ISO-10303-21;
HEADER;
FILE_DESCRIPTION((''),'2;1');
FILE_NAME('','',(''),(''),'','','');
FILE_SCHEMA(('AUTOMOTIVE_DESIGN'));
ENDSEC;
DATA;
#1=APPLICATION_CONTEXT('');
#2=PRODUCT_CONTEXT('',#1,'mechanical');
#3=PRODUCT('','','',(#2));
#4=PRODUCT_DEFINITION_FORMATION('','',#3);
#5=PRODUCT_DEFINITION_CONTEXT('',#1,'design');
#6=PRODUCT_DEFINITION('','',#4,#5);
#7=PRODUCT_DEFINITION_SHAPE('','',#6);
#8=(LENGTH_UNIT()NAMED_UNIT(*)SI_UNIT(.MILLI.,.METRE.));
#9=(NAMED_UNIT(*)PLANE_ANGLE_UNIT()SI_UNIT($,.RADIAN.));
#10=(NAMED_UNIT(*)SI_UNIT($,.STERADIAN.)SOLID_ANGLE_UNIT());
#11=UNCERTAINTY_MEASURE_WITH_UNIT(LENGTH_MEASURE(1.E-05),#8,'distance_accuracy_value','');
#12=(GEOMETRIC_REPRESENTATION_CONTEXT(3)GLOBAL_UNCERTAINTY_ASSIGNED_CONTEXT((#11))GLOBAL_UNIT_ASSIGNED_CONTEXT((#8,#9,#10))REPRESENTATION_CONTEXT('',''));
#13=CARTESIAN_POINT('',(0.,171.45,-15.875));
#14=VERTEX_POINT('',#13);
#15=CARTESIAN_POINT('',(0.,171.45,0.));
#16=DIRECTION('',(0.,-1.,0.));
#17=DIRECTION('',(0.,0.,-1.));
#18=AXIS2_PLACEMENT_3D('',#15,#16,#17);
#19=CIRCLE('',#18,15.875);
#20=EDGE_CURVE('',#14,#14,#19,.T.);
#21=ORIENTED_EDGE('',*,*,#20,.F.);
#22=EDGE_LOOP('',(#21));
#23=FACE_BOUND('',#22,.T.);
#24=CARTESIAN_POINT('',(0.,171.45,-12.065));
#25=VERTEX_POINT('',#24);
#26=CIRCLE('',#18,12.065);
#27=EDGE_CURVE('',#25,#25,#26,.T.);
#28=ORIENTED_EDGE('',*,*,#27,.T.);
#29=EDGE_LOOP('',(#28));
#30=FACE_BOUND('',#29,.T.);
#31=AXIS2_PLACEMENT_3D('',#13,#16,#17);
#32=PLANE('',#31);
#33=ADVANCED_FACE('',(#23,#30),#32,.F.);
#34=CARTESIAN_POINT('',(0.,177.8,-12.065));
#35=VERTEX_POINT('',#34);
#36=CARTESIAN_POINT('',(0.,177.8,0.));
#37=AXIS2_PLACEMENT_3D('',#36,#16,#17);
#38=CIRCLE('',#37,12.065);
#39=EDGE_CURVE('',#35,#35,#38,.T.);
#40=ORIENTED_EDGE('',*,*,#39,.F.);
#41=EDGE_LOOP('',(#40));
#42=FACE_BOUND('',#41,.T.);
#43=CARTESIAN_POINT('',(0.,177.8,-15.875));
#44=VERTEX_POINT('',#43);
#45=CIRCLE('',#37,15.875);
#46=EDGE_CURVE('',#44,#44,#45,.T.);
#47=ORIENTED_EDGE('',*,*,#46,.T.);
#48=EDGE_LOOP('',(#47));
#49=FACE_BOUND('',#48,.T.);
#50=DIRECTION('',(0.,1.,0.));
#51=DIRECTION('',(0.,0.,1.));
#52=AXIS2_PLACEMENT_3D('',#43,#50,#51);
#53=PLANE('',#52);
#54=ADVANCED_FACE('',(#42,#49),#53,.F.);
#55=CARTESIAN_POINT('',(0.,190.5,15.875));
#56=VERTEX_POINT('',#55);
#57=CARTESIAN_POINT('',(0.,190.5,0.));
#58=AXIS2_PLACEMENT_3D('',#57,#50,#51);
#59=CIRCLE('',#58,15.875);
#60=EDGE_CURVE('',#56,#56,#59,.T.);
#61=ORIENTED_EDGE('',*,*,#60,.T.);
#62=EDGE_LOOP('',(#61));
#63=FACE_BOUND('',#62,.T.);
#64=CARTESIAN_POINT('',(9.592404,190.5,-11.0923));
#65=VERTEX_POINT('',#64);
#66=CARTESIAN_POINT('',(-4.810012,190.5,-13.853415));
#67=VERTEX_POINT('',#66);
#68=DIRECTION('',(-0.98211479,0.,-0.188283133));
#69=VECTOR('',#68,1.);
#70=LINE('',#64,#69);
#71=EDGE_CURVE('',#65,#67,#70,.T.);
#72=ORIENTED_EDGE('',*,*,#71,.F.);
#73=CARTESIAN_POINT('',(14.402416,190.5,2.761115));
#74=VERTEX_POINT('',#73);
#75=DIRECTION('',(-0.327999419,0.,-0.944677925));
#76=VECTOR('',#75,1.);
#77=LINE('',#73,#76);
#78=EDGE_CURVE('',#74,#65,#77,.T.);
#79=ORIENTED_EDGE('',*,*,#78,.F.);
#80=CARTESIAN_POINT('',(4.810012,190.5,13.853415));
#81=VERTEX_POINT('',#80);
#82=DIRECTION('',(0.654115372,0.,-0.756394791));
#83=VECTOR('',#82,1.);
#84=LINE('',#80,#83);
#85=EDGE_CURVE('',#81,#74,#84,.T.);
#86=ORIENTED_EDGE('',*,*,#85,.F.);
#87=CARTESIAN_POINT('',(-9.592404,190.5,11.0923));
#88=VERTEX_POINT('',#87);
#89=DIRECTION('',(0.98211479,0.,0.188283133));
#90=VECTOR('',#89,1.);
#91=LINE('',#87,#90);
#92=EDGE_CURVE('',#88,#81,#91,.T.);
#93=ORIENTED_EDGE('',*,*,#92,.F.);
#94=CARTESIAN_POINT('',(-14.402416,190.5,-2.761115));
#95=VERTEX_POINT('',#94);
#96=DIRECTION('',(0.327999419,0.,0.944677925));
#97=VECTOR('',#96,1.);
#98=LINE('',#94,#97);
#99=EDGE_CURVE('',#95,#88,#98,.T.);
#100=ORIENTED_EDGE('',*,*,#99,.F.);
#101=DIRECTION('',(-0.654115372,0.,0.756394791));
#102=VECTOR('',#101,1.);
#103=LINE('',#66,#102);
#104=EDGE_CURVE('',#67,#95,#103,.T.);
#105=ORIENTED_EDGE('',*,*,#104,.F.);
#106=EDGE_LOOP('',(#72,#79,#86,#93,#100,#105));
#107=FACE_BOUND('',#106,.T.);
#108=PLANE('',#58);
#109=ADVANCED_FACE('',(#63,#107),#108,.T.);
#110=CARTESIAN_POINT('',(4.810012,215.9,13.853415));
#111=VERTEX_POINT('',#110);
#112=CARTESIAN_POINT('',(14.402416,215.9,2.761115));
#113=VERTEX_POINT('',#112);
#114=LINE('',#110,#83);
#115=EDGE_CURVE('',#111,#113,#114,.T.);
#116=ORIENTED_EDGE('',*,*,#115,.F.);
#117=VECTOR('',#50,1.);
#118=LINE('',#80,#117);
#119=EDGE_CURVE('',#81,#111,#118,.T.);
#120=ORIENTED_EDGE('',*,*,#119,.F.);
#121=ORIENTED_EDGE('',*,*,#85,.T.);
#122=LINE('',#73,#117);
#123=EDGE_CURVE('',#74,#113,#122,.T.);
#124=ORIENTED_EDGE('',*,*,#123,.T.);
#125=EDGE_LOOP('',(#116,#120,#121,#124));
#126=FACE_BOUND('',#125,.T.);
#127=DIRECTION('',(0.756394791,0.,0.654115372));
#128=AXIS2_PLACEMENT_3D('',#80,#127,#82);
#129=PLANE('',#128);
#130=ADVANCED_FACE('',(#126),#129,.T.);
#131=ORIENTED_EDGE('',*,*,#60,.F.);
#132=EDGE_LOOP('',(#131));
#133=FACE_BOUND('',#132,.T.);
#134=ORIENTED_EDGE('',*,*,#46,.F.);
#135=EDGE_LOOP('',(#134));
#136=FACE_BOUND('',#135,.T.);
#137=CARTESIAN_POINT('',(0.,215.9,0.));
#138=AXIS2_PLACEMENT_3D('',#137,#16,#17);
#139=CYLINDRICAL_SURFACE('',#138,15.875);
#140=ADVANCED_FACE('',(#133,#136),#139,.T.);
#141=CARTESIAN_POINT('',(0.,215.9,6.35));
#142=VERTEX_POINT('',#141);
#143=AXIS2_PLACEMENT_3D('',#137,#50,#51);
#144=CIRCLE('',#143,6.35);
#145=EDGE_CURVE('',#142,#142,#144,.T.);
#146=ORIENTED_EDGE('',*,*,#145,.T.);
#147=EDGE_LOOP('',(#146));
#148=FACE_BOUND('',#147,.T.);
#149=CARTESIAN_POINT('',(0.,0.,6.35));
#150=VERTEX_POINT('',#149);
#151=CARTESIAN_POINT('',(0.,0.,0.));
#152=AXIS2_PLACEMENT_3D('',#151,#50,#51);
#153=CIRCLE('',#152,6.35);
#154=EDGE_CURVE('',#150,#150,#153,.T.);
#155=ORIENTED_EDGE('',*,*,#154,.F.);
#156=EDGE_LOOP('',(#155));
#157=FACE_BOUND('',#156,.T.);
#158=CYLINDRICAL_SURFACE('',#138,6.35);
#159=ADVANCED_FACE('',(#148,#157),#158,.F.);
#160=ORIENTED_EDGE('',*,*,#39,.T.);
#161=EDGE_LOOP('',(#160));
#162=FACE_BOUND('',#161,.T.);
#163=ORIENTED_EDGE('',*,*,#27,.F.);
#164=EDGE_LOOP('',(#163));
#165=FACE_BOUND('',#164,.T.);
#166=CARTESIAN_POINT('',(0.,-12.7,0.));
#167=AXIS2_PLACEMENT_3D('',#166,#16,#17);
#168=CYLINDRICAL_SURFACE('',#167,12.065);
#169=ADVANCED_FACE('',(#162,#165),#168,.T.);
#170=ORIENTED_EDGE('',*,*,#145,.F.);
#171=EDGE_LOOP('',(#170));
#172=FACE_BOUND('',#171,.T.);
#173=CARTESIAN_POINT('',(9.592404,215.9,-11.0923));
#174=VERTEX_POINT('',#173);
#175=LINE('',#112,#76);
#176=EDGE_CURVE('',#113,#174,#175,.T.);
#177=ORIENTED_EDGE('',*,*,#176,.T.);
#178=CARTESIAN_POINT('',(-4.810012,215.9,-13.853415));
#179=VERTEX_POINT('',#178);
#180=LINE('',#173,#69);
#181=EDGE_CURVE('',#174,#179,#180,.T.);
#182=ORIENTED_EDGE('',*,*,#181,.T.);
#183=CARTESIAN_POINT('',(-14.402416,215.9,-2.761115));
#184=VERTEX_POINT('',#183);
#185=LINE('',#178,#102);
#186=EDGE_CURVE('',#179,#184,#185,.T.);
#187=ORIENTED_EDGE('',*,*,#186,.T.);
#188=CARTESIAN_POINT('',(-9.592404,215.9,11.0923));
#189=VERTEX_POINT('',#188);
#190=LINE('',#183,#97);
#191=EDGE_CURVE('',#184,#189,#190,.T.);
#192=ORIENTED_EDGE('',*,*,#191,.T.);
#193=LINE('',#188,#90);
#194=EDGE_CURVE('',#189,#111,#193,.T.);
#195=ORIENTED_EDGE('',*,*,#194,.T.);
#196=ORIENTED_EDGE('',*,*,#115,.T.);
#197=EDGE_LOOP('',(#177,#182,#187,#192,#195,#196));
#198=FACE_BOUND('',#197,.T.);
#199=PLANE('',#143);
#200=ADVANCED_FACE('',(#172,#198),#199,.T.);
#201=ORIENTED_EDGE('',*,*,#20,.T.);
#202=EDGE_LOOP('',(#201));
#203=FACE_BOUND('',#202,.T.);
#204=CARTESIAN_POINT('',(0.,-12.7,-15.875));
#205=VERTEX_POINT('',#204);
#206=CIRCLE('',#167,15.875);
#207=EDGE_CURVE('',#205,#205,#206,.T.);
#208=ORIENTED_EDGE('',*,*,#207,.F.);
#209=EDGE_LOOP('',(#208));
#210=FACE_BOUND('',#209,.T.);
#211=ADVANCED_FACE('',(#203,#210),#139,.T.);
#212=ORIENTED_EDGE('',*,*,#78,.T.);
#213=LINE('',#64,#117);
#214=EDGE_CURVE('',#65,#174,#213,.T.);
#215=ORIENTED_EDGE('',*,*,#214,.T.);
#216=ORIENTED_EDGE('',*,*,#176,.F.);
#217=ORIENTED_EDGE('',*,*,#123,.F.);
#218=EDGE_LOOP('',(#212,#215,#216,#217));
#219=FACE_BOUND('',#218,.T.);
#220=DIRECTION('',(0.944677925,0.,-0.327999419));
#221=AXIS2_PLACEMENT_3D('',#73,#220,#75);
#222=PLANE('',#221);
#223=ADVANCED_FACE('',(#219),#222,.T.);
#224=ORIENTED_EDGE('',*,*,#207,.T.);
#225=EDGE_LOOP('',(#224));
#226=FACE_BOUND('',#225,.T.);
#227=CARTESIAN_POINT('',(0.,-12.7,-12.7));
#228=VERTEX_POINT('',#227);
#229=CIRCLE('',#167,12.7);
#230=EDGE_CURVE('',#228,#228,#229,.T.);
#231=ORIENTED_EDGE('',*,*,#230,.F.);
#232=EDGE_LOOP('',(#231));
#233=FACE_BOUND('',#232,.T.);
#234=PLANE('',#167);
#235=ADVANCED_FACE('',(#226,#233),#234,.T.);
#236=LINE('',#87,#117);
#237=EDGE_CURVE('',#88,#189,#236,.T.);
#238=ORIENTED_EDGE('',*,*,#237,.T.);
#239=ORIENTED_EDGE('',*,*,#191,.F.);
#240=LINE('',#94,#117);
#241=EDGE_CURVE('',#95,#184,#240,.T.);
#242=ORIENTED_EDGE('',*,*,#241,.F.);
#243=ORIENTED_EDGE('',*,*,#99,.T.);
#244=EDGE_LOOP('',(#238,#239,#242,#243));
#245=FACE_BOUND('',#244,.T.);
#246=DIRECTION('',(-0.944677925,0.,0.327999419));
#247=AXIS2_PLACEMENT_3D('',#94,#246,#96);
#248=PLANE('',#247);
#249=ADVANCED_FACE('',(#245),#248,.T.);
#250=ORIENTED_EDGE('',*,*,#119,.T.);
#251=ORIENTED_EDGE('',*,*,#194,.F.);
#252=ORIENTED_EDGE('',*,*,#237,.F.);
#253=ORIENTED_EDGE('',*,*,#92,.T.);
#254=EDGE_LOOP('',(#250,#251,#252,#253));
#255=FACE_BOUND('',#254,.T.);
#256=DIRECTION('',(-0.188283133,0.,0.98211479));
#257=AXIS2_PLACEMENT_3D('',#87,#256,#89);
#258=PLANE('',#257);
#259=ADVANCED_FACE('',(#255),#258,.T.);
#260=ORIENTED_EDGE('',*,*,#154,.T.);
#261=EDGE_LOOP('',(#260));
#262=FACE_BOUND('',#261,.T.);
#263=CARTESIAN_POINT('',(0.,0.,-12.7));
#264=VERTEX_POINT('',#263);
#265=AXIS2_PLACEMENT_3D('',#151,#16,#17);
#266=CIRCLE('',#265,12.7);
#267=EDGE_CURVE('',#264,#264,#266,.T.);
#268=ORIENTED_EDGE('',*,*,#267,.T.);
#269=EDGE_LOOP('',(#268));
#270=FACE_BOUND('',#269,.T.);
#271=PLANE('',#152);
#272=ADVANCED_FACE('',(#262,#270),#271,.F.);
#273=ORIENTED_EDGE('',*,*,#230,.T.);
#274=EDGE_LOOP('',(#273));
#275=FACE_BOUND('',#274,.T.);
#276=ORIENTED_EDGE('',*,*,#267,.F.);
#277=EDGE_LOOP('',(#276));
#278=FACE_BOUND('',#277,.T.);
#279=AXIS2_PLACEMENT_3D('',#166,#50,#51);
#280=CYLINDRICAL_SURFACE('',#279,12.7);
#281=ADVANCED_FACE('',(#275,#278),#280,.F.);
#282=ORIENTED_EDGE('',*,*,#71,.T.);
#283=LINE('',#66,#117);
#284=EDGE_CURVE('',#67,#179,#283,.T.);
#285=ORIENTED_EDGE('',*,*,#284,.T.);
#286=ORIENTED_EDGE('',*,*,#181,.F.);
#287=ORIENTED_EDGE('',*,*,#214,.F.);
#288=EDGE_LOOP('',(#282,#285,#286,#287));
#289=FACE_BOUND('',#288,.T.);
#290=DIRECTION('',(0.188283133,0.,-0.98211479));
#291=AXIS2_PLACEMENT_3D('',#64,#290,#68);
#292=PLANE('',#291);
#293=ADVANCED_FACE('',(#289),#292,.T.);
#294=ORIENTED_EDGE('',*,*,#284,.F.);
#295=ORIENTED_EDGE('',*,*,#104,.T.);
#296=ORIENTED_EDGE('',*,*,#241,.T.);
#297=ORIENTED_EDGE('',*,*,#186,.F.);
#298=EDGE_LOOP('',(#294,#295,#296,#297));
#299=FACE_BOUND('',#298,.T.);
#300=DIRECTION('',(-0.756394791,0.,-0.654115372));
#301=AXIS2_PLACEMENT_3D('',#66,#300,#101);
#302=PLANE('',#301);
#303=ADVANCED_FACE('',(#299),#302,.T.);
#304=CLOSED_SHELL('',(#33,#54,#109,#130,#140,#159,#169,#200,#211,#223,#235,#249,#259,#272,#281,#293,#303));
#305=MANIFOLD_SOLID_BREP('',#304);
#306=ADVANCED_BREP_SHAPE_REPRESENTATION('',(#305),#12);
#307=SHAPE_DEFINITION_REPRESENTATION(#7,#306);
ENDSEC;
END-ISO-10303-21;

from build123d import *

# Parameters (mm, degrees)
SKETCH1_R           = 15.875
SKETCH1_R_2         = 6.35
BOSS_EXTRUDE1_DEPTH = 215.9
BOSS_EXTRUDE2_START = 12.7
SKETCH2_R           = 15.875
SKETCH2_R_2         = 12.7
BOSS_EXTRUDE2_DEPTH = 12.7
SKETCH3_W           = 3.81
SKETCH3_H           = 6.35
CUT_EXTRUDE1_START  = -25.4
SKETCH4_R           = 15.875
CUT_EXTRUDE1_DEPTH  = 25.4


with BuildPart() as part:
    # Sketch1 → Boss-Extrude1 (new body)
    with BuildSketch(Plane(origin=(0, 0, 0), x_dir=(1, 0, 0), z_dir=(0, 1, 0))):
        with Locations(Location((0, 0, 0), (0, 0, 270))):
            Circle(SKETCH1_R)
        with Locations(Location((0, 0, 0), (0, 0, 270))):
            Circle(SKETCH1_R_2, mode=Mode.SUBTRACT)
    extrude(amount=BOSS_EXTRUDE1_DEPTH)

    # Sketch2 → Boss-Extrude2 (add)
    with BuildSketch(Plane.XZ.offset(BOSS_EXTRUDE2_START)):
        with Locations(Location((0, 0, 0), (0, 0, 270))):
            Circle(SKETCH2_R)
        with Locations(Location((0, 0, 0), (0, 0, 270))):
            Circle(SKETCH2_R_2, mode=Mode.SUBTRACT)
    extrude(amount=-BOSS_EXTRUDE2_DEPTH)

    # Sketch3 → Cut-Revolve1 (revolve, cut)
    with BuildSketch(Plane(origin=(0, 0, 0), x_dir=(0, 0, -1), z_dir=(1, 0, 0))):
        with Locations((13.97, 174.625)):
            Rectangle(SKETCH3_W, SKETCH3_H)
    revolve(axis=Axis((0, -12.7, 0), (0, 1, 0)), mode=Mode.SUBTRACT)

    # Sketch4 → Cut-Extrude1 (cut)
    with BuildSketch(Plane(origin=(0, 215.9, 0), x_dir=(1, 0, 0), z_dir=(0, 1, 0)).offset(CUT_EXTRUDE1_START)):
        with Locations(Location((0, 0, 0), (0, 0, 90))):
            Circle(SKETCH4_R)
        Polygon((9.592403624, 11.092300304), (-4.810012038, 13.853415374), (-14.402415662, 2.76111507), (-9.592403624, -11.092300304), (4.810012038, -13.853415374), (14.402415662, -2.76111507), align=None, mode=Mode.SUBTRACT)
    extrude(amount=CUT_EXTRUDE1_DEPTH, mode=Mode.SUBTRACT)


solid = part.part
